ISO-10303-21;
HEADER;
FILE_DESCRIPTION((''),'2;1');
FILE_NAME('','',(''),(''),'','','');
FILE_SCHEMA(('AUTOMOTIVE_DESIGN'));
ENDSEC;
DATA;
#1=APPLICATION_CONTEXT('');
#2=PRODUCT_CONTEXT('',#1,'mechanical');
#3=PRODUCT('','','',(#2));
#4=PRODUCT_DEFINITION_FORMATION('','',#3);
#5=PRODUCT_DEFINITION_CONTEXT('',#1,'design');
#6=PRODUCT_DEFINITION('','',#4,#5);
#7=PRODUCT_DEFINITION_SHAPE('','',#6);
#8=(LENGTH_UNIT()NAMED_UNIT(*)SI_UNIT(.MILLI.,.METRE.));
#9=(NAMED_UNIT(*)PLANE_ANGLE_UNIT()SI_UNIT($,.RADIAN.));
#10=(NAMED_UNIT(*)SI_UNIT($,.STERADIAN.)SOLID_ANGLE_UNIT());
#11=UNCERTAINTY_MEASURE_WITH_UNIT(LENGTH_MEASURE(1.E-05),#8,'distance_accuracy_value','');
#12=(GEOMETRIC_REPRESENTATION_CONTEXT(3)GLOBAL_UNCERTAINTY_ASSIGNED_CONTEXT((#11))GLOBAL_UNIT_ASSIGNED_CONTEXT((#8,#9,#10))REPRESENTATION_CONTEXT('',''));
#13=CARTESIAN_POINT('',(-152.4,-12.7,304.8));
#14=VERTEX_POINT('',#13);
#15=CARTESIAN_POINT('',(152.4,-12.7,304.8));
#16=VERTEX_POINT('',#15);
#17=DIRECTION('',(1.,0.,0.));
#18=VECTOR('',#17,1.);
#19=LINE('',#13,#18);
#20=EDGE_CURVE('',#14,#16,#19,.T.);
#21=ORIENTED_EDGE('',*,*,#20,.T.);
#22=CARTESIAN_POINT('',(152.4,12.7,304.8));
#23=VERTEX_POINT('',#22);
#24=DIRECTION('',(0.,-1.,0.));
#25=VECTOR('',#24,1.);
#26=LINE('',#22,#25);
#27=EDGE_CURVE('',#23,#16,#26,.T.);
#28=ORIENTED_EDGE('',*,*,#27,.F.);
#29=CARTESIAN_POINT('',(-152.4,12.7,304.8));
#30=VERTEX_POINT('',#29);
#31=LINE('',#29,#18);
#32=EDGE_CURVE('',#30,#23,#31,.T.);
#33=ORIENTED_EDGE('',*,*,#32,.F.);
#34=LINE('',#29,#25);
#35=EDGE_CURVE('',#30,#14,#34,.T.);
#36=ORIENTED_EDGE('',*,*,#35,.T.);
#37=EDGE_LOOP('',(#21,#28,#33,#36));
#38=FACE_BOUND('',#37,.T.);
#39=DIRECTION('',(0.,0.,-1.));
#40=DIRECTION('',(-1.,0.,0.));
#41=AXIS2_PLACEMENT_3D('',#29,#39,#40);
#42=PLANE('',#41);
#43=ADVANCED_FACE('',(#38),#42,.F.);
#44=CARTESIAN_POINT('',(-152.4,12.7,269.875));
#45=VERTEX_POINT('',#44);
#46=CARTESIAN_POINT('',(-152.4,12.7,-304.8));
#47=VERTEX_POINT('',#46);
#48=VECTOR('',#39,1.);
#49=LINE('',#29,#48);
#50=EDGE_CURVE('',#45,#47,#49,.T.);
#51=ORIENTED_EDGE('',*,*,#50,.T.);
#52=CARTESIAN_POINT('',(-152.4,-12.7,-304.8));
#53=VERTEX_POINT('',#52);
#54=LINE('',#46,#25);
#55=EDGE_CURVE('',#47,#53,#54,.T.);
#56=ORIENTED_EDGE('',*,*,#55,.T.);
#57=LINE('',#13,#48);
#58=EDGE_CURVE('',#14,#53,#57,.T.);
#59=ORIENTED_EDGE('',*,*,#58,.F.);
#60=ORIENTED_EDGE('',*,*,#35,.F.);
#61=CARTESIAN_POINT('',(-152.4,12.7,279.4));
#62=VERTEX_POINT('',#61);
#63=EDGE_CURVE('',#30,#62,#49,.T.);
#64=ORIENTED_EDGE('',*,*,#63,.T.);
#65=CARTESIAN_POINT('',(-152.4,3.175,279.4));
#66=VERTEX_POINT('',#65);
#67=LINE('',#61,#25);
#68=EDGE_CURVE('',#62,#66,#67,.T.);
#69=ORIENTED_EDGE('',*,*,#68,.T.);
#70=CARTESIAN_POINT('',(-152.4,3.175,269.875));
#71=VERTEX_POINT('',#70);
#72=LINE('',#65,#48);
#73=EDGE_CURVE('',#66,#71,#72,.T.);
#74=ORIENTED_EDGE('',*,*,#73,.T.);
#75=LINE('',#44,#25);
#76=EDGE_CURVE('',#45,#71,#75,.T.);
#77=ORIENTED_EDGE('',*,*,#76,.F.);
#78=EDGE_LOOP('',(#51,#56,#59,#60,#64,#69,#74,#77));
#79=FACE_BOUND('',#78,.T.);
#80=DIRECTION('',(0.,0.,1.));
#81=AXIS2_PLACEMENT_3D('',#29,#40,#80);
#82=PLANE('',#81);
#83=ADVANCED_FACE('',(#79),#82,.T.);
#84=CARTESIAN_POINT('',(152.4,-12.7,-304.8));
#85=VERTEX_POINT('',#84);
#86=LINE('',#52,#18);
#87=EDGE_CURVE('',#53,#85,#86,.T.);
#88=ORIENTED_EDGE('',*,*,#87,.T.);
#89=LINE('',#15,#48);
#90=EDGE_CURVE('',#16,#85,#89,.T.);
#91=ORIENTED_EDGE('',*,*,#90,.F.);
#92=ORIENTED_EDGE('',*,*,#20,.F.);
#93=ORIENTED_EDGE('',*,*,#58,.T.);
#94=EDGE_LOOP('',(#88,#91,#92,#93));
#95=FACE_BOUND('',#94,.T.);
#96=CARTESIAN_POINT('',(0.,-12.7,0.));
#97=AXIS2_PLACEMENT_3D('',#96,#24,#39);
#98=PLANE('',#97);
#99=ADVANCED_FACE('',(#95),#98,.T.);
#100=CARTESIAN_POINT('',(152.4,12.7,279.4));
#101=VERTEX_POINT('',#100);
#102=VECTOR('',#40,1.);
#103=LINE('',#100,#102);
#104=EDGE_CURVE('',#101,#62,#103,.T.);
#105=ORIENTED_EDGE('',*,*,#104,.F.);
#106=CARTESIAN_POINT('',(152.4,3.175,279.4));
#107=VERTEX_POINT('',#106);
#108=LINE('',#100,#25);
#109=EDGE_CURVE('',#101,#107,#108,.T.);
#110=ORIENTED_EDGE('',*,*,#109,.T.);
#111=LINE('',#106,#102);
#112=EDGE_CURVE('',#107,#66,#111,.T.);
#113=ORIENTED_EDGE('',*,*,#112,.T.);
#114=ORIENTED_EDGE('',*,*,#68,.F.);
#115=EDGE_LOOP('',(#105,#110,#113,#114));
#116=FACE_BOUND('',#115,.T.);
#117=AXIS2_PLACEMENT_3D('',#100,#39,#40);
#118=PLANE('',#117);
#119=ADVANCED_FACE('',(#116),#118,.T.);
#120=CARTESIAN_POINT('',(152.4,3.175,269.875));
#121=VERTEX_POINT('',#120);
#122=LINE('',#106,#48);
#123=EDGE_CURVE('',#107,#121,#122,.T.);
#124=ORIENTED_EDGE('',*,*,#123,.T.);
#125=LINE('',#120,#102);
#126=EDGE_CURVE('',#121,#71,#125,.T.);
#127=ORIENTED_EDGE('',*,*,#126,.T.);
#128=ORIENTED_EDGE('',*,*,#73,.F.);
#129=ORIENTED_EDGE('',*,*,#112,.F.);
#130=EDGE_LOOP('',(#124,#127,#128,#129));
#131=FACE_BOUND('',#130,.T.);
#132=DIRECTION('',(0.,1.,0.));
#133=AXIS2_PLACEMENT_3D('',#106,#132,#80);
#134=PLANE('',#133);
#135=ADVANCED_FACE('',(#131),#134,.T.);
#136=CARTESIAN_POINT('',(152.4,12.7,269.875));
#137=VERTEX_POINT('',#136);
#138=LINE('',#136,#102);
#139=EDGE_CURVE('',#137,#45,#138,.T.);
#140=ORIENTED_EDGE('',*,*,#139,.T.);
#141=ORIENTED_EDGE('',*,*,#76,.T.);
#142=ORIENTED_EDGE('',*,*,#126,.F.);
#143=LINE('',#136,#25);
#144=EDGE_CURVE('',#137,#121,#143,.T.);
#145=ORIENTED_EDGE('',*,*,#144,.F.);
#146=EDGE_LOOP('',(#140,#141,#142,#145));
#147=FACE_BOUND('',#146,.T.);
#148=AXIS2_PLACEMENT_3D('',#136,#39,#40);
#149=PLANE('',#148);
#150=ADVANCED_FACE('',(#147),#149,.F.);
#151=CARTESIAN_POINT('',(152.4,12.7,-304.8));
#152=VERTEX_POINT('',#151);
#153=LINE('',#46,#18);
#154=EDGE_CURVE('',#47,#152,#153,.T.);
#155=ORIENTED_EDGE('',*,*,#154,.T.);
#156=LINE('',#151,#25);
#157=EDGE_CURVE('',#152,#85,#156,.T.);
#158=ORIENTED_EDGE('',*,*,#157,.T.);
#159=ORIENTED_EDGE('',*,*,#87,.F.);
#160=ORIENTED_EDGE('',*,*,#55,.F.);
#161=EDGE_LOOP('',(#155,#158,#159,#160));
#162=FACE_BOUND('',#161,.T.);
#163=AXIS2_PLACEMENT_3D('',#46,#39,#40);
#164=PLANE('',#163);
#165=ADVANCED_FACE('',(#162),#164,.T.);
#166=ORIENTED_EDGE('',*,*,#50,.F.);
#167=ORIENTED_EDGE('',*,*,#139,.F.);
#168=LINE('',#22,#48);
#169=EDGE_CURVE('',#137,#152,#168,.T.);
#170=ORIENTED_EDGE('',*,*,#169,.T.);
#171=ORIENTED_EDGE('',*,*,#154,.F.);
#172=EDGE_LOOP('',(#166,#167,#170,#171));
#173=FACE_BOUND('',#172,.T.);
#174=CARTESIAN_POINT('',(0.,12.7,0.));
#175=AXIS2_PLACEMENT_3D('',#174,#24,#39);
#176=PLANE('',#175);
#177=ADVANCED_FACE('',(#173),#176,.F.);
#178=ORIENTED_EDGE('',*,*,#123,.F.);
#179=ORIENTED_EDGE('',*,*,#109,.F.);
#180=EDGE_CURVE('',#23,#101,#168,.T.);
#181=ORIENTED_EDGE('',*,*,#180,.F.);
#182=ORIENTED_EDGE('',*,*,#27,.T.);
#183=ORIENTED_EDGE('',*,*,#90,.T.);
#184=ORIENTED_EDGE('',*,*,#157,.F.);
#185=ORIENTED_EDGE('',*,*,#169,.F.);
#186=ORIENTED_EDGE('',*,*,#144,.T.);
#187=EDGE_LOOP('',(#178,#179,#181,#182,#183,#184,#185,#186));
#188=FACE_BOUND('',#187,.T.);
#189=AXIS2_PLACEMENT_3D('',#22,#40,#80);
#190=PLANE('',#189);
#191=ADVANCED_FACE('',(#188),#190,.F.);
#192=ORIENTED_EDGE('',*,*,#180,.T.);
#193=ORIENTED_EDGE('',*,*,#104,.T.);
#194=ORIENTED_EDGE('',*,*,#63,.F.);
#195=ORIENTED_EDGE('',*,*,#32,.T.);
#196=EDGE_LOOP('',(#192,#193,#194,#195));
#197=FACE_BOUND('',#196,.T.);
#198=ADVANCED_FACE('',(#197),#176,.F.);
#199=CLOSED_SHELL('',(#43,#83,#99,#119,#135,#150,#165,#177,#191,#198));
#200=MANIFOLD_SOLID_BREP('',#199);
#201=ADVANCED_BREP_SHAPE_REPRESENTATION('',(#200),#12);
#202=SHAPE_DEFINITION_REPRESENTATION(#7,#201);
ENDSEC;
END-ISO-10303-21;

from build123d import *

# Parameters (mm, degrees)
SKETCH2_W           = 304.8
SKETCH2_H           = 609.6
BOSS_EXTRUDE1_DEPTH = 12.7
SKETCH4_W           = 9.525
SKETCH4_H           = 9.525
CUT_EXTRUDE1_DEPTH  = 432.239341897


with BuildPart() as part:
    # Sketch2 → Boss-Extrude1 (new, symmetric)
    with BuildSketch(Plane(origin=(0, 0, 0), x_dir=(1, 0, 0), z_dir=(0, 1, 0))):
        Rectangle(SKETCH2_W, SKETCH2_H)
    extrude(amount=BOSS_EXTRUDE1_DEPTH, both=True)

    # Sketch4 → Cut-Extrude1 (cut, through all)
    with BuildSketch(Plane.ZY.offset(152.4)):
        with Locations((274.6375, 7.9375)):
            Rectangle(SKETCH4_W, SKETCH4_H)
    extrude(amount=-CUT_EXTRUDE1_DEPTH, mode=Mode.SUBTRACT)


solid = part.part
